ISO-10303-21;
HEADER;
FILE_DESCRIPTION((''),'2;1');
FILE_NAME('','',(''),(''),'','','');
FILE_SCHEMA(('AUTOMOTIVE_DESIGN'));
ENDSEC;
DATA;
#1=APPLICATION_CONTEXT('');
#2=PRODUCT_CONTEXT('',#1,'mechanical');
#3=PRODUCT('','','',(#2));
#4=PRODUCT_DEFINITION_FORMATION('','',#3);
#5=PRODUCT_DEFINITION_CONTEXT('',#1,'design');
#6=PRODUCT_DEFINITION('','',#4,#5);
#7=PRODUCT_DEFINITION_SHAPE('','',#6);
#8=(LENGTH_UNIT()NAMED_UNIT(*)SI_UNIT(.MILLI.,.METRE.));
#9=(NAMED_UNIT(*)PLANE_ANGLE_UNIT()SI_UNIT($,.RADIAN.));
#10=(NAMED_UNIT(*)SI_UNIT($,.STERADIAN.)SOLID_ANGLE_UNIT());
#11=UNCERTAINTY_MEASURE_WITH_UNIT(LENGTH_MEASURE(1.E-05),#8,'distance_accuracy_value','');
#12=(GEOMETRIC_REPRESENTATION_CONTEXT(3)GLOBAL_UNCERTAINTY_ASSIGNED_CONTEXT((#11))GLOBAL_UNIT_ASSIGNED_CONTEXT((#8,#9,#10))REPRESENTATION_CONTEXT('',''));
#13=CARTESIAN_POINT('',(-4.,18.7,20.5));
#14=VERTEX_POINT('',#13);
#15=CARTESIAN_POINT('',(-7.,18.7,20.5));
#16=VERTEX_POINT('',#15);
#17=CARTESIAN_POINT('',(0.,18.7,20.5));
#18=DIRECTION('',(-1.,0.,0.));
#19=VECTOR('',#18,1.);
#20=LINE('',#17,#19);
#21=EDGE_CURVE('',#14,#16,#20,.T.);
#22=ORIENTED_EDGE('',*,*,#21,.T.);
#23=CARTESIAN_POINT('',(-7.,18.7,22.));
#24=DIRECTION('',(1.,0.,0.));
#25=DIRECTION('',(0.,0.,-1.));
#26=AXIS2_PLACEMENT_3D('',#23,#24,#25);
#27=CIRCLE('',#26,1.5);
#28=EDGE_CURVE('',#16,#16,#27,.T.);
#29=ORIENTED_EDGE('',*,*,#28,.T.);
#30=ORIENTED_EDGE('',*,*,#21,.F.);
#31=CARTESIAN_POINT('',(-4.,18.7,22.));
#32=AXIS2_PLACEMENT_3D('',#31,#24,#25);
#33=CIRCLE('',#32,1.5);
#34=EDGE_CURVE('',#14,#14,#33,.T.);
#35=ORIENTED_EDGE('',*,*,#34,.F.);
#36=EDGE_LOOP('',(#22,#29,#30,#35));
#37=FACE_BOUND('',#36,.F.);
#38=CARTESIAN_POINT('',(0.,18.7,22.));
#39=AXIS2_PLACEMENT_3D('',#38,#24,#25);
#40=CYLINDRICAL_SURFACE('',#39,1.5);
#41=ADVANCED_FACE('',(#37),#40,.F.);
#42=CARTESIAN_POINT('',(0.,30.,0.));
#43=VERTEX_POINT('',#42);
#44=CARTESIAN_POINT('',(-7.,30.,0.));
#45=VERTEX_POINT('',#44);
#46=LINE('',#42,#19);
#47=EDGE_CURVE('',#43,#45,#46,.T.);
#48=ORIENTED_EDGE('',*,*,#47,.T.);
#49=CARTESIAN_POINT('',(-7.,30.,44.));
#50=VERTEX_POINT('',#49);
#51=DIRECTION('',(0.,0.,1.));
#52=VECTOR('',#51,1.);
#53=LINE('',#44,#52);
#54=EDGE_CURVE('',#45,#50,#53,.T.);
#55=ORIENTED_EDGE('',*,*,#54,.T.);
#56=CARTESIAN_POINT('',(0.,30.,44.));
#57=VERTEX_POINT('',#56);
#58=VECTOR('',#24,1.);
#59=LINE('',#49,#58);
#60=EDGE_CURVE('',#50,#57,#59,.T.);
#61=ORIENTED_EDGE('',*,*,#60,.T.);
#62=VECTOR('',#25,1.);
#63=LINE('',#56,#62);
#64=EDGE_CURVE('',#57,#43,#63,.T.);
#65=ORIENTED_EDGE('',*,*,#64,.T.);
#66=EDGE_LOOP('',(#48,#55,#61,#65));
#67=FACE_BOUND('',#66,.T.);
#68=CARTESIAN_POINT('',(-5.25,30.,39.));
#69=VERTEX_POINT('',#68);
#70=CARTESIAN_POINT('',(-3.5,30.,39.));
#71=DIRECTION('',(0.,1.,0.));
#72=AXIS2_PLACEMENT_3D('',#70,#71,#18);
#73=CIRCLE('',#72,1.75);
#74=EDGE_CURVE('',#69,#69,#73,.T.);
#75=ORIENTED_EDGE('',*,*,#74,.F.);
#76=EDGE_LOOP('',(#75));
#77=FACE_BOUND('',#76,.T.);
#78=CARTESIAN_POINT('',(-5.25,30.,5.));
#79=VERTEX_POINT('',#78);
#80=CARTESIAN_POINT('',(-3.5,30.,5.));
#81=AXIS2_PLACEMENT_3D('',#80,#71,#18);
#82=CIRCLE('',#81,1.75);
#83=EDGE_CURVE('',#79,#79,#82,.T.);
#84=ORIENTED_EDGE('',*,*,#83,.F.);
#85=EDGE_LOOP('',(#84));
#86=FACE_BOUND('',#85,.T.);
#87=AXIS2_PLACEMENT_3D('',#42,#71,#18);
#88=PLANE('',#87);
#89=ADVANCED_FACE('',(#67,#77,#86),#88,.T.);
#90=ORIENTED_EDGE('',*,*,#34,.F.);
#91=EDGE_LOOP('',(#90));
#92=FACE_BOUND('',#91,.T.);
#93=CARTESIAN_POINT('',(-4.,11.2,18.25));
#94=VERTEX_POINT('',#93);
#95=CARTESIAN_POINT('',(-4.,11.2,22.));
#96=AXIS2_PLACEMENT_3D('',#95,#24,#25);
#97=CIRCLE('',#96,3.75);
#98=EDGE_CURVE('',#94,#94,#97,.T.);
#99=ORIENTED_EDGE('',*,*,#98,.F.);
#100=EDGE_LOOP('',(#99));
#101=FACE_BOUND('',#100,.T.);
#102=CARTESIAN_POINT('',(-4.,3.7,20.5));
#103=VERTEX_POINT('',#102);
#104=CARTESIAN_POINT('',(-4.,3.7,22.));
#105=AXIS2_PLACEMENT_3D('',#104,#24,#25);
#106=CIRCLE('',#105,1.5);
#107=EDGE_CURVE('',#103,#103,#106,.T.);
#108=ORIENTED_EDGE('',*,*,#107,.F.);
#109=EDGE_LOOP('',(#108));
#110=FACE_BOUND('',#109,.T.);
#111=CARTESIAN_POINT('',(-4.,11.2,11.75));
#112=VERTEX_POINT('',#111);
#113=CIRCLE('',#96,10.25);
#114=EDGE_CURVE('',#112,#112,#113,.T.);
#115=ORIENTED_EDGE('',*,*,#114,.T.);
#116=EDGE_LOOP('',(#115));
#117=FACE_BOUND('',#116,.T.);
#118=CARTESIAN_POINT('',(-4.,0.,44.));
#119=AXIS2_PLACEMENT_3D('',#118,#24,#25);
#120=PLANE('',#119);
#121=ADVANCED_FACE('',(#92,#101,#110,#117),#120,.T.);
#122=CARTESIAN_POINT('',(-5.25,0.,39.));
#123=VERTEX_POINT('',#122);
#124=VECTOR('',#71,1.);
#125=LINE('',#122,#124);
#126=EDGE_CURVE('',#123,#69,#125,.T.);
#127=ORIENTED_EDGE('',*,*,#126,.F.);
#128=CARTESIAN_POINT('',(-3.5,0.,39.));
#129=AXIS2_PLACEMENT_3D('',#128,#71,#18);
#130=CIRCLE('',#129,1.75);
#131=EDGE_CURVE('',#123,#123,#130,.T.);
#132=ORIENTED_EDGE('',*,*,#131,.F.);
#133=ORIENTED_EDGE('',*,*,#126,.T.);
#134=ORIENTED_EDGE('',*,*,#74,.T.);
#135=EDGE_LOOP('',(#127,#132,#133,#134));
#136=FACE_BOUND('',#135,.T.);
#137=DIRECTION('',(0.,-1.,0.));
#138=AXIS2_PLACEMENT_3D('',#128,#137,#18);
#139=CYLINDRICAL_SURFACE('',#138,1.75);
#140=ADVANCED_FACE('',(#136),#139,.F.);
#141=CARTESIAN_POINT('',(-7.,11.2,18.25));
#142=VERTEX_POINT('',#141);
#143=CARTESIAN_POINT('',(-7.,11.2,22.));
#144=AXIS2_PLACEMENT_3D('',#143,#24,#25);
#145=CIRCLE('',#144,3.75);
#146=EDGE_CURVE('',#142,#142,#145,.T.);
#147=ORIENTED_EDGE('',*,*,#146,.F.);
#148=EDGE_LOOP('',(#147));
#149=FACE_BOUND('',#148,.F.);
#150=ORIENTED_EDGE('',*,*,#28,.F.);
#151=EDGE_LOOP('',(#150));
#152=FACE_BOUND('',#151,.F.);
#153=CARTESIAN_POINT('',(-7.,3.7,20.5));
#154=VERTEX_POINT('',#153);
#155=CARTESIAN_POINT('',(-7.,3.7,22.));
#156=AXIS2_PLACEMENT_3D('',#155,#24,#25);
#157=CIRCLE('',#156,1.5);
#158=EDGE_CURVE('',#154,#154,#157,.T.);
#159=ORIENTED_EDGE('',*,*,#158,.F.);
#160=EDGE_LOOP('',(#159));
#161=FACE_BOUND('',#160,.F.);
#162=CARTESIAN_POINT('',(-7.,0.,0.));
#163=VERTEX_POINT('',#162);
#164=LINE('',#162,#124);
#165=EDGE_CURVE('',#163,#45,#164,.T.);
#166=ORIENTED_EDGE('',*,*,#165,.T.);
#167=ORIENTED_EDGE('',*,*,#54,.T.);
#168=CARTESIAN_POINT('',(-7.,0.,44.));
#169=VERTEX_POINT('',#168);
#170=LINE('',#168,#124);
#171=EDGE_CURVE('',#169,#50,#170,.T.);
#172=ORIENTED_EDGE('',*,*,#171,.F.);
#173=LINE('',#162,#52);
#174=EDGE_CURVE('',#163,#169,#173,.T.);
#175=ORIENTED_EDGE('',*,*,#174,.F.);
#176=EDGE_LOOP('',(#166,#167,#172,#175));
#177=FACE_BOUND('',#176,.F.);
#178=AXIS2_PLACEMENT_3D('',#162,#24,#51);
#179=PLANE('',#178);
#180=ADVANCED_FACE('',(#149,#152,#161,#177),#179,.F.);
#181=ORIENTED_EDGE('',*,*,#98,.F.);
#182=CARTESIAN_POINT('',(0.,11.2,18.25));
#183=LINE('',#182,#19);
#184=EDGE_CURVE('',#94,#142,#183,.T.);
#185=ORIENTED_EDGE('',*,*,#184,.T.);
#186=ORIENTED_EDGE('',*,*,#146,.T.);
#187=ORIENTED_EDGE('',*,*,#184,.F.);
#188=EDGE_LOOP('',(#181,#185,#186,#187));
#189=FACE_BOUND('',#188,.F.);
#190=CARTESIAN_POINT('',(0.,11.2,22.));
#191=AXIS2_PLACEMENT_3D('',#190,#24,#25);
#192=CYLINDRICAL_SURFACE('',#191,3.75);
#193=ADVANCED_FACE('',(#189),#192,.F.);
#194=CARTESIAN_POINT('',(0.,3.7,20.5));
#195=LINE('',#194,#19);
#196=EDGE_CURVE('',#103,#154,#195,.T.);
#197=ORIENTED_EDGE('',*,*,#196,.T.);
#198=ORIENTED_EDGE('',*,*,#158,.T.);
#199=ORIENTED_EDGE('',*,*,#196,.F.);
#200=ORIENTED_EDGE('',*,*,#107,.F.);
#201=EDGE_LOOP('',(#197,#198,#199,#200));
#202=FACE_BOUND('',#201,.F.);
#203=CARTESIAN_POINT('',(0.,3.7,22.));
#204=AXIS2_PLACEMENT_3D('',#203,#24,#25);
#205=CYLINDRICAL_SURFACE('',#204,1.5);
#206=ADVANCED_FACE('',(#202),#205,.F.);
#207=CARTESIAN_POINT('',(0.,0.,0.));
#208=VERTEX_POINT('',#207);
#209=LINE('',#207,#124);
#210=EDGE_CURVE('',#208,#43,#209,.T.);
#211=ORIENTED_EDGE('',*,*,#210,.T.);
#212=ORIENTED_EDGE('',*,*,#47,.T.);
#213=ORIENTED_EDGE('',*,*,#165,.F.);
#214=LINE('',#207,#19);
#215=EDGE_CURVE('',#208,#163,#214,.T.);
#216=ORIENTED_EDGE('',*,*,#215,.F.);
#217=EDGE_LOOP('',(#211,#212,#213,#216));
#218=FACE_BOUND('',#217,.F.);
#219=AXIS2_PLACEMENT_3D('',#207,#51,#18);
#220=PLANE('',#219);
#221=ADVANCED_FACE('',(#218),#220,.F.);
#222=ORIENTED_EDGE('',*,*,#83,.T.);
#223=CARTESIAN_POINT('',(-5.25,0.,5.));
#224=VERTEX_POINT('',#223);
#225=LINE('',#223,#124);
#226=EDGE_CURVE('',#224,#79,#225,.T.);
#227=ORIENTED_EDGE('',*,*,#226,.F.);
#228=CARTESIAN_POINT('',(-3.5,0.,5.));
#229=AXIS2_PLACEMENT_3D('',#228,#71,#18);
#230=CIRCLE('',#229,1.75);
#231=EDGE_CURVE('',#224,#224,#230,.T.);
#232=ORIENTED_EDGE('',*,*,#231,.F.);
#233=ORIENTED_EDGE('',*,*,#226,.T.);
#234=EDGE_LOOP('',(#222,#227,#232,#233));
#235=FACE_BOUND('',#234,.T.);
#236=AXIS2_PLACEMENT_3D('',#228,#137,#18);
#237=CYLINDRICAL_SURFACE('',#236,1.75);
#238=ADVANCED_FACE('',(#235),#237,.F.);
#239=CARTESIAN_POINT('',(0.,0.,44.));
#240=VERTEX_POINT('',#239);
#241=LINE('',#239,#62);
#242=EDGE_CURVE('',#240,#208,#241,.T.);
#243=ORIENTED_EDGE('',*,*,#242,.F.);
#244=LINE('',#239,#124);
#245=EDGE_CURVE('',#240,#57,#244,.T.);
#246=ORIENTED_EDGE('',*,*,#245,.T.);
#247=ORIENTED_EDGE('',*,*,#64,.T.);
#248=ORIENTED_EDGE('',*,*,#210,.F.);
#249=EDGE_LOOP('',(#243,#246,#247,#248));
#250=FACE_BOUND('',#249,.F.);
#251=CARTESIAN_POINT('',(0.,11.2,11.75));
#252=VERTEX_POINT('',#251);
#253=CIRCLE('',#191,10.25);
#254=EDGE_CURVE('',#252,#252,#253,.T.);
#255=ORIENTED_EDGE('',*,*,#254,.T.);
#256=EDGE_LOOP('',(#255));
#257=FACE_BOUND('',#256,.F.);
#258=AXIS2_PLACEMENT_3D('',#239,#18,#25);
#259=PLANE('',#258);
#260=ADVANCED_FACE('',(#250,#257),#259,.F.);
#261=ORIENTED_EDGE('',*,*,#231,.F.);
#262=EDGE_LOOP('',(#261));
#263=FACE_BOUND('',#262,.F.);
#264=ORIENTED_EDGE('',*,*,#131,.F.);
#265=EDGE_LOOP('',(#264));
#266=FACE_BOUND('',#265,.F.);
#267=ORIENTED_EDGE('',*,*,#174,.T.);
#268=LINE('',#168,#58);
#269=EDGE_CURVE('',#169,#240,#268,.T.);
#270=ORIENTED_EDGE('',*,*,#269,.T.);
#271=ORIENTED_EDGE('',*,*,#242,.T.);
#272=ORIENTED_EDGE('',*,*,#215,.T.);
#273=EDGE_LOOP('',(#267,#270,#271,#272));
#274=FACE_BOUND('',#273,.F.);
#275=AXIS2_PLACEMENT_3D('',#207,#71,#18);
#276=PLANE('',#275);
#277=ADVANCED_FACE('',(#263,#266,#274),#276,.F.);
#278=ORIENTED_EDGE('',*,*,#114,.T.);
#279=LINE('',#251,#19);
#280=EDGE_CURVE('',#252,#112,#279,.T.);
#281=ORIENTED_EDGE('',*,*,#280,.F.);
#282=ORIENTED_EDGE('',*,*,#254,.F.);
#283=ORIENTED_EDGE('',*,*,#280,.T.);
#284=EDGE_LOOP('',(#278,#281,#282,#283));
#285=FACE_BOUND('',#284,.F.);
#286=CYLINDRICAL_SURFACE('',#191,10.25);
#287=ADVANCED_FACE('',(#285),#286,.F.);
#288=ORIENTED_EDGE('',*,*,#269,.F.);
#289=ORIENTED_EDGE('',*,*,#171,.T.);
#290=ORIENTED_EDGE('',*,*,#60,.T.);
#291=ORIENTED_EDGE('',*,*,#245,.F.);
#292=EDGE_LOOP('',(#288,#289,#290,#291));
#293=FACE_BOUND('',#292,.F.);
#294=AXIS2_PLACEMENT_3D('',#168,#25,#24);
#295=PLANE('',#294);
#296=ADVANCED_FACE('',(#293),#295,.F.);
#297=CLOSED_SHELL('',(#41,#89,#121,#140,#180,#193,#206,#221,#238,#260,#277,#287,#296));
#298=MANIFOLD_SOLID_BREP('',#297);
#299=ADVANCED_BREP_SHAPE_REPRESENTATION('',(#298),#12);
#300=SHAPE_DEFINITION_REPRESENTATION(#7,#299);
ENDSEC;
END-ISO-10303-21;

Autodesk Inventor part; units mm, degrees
ref_plane "YZ Plane" through (0, 0, 0) normal (1, 0, 0) x (0, 1, 0)
ref_plane "XZ Plane" through (0, 0, 0) normal (0, 1, 0) x (-1, 0, 0)
ref_plane "XY Plane" through (0, 0, 0) normal (0, 0, 1) x (1, 0, 0)
sketch "Эскиз1" plane through (0, 0, 0) normal (0, 1, 0) x (-1, 0, 0)
  line L0 (7, 44) -> (0, 44)
  line L1 (0, 44) -> (0, 0)
  line L2 (0, 0) -> (7, 0)
  line L3 (7, 0) -> (7, 44)
  line L4 (-16.3445, 0) -> (14.925, 0) construction
  line L5 (0, 24.3748) -> (0, -24.0504) construction
  circle A0 centre (3.5, 39) radius 1.75
  line L6 (3.5, 44) -> (3.5, 0) construction
  line L7 (7, 22) -> (0, 22) construction
  circle A1 centre (3.5, 5) radius 1.75
  point P0 (0, 0)
  dimension "d0" = 44
  dimension "d1" = 7
  dimension "d2" = 3.5
  dimension "d5" = 34
extrude "Выдавливание1" add sketch "Эскиз1" along normal blind 30
sketch "Эскиз2" plane through (0, 0, 44) normal (1, 0, 0) x (0, 0, -1)
  line L0 (0, 0) -> (44, 0) construction
  line L1 (44, 0) -> (44, 30) construction
  line L2 (0, 30) -> (44, 30) construction
  line L3 (0, 0) -> (0, 30) construction
  line L4 (44, 30) -> (0, 30) construction
  line L5 (22, 30) -> (22, 0) construction
  line L6 (44, 0) -> (0, 0) construction
  line L7 (0, 0) -> (0, 30) construction
  line L8 (0, 15) -> (44, 15) construction
  line L9 (44, 0) -> (44, 30) construction
  circle A0 centre (22, 11.2) radius 10.25
  circle A1 centre (22, 11.2) radius 3.75
  circle A2 centre (22, 18.7) radius 1.5
  line L10 (18.25, 11.2) -> (25.75, 11.2) construction
  circle A3 centre (22, 3.7) radius 1.5
  dimension "d8" = 20.5
  dimension "d9" = 11.2
  dimension "d10" = 7.5
  dimension "d11" = 3
  dimension "d12" = 15
extrude "Выдавливание2" cut sketch "Эскиз2" against normal blind 30 contours A1 | A2 | A3
extrude "Выдавливание3" cut sketch "Эскиз2" against normal blind 4
properties part number "motor_front"
